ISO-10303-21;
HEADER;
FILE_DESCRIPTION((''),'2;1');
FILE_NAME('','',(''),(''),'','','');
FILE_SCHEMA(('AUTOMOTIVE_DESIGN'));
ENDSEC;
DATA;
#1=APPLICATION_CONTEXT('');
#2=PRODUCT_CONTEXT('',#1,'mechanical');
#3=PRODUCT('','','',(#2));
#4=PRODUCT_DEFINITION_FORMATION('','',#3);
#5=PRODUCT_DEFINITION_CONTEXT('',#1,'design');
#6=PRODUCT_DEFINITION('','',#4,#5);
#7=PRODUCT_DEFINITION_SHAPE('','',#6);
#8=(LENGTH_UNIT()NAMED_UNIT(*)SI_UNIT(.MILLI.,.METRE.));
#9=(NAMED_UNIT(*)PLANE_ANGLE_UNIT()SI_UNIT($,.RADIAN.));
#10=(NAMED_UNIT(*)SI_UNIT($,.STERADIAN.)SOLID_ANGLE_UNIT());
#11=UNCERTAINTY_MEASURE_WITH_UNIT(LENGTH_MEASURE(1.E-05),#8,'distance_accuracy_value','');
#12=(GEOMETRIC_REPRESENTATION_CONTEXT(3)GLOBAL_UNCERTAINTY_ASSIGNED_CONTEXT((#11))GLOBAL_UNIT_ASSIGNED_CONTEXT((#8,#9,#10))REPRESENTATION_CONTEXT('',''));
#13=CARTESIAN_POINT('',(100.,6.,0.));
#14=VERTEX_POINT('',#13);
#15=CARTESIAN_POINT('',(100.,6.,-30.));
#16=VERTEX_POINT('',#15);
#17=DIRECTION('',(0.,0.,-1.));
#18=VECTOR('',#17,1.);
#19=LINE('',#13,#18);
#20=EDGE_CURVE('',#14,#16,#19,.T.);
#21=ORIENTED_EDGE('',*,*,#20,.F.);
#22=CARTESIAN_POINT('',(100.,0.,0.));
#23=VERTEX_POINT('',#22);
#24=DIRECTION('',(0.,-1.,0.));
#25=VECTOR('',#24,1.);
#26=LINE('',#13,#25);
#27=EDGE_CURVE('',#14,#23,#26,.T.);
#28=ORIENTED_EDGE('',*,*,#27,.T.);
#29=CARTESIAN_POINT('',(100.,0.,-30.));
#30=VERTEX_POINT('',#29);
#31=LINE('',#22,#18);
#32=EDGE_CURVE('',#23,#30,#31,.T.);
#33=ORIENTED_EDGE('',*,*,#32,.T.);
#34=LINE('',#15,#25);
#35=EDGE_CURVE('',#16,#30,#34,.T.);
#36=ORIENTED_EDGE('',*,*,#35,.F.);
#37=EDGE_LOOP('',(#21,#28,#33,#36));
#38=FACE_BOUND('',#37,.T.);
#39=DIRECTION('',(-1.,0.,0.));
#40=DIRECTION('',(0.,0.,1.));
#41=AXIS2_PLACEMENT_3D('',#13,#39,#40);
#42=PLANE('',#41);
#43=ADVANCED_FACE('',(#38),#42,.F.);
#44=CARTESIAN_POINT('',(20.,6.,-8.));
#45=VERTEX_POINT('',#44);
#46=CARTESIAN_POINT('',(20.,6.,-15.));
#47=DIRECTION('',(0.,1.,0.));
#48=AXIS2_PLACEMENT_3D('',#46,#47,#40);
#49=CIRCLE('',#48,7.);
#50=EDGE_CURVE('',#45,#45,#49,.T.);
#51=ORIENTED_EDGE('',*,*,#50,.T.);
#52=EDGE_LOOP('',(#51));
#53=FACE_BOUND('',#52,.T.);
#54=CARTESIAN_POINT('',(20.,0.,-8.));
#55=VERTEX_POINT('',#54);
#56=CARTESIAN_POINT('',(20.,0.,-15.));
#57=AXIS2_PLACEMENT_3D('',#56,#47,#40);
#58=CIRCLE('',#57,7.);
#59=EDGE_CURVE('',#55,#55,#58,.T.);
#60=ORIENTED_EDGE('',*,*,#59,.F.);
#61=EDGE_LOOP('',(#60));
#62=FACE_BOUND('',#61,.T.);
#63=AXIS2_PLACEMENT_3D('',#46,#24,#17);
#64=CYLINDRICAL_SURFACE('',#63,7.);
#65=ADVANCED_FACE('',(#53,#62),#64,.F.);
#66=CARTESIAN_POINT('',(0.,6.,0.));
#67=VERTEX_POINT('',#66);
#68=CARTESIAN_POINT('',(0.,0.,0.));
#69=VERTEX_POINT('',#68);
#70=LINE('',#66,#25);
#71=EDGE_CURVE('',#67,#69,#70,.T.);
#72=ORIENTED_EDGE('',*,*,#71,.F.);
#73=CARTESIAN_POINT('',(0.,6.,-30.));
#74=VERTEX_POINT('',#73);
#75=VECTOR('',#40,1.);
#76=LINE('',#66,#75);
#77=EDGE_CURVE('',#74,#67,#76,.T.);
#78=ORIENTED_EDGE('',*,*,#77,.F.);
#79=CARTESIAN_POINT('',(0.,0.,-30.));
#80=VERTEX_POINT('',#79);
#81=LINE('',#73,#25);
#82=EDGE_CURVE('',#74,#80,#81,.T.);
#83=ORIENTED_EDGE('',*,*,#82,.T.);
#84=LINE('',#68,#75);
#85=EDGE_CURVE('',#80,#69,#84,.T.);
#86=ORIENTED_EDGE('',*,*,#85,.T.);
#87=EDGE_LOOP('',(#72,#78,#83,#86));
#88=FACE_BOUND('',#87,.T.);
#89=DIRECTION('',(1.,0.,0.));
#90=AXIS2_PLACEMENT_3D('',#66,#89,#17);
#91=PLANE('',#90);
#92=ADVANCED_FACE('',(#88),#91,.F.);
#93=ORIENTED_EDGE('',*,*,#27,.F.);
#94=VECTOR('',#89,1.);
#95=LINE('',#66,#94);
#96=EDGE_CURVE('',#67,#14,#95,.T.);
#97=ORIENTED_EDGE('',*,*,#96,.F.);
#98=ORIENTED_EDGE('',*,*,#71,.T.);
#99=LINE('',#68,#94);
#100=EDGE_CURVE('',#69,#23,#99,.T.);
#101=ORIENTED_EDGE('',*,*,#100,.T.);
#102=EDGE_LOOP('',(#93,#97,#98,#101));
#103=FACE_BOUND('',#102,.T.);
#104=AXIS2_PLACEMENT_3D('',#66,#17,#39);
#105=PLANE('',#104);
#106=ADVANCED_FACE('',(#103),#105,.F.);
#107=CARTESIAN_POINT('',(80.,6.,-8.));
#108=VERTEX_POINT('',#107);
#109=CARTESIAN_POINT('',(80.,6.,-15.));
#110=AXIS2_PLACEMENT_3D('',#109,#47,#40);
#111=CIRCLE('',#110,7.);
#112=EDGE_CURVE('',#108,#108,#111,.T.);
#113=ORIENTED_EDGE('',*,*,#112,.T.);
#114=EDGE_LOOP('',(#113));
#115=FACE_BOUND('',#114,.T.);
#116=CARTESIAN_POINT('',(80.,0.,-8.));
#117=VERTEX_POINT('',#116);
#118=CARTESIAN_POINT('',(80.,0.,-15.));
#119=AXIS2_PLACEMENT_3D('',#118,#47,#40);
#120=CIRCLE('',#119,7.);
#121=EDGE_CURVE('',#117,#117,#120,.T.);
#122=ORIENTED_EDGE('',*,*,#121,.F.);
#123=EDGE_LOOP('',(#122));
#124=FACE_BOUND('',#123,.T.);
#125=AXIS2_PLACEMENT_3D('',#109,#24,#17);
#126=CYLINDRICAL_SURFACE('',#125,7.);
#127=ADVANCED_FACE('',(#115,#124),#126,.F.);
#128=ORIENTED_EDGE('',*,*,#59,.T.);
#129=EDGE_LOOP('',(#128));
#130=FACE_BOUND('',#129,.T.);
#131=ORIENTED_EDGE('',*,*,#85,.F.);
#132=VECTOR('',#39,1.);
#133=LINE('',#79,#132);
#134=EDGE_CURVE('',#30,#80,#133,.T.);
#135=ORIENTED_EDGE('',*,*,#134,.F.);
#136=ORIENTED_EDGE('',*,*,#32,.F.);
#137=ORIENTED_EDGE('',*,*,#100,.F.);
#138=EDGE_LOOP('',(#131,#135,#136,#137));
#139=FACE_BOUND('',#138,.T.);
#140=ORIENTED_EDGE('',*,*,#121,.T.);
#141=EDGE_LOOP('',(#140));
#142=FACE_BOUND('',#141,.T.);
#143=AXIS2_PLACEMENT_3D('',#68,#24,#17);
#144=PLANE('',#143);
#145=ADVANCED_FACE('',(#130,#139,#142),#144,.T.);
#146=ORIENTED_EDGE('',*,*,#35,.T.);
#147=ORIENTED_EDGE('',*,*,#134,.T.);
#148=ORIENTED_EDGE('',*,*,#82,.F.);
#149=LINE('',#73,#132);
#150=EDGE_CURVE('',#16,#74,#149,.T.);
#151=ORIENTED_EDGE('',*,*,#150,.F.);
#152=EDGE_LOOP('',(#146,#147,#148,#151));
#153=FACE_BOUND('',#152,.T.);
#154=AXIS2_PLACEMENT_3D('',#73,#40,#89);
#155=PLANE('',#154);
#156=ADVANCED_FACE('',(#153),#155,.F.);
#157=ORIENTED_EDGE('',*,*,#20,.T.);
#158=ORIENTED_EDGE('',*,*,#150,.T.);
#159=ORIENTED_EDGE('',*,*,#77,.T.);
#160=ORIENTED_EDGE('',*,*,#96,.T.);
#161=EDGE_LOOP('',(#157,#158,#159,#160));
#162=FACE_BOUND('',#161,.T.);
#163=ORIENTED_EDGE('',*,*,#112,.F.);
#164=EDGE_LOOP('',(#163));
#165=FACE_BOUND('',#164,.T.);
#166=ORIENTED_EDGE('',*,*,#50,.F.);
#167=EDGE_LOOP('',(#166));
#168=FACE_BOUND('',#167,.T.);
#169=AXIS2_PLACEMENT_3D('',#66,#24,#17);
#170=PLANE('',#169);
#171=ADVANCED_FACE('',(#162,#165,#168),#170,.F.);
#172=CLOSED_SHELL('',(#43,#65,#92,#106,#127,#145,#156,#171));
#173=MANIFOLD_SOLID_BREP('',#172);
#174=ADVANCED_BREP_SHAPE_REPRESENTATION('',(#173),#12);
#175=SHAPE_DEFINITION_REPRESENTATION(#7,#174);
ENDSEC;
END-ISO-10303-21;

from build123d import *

# Parameters (mm, degrees)
SKETCH_1_W      = 100
SKETCH_1_H      = 30
SKETCH_1_R      = 7
EXTRUDE_1_DEPTH = 6


with BuildPart() as part:
    # 草图1 → 凸台-拉伸1 (new body)
    with BuildSketch(Plane(origin=(0, 0, 0), x_dir=(1, 0, 0), z_dir=(0, 1, 0))):
        with Locations((50, 15)):
            Rectangle(SKETCH_1_W, SKETCH_1_H)
        with Locations(Location((20, 15, 0), (0, 0, 270))):
            Circle(SKETCH_1_R, mode=Mode.SUBTRACT)
        with Locations(Location((80, 15, 0), (0, 0, 270))):
            Circle(SKETCH_1_R, mode=Mode.SUBTRACT)
    extrude(amount=EXTRUDE_1_DEPTH)


solid = part.part
